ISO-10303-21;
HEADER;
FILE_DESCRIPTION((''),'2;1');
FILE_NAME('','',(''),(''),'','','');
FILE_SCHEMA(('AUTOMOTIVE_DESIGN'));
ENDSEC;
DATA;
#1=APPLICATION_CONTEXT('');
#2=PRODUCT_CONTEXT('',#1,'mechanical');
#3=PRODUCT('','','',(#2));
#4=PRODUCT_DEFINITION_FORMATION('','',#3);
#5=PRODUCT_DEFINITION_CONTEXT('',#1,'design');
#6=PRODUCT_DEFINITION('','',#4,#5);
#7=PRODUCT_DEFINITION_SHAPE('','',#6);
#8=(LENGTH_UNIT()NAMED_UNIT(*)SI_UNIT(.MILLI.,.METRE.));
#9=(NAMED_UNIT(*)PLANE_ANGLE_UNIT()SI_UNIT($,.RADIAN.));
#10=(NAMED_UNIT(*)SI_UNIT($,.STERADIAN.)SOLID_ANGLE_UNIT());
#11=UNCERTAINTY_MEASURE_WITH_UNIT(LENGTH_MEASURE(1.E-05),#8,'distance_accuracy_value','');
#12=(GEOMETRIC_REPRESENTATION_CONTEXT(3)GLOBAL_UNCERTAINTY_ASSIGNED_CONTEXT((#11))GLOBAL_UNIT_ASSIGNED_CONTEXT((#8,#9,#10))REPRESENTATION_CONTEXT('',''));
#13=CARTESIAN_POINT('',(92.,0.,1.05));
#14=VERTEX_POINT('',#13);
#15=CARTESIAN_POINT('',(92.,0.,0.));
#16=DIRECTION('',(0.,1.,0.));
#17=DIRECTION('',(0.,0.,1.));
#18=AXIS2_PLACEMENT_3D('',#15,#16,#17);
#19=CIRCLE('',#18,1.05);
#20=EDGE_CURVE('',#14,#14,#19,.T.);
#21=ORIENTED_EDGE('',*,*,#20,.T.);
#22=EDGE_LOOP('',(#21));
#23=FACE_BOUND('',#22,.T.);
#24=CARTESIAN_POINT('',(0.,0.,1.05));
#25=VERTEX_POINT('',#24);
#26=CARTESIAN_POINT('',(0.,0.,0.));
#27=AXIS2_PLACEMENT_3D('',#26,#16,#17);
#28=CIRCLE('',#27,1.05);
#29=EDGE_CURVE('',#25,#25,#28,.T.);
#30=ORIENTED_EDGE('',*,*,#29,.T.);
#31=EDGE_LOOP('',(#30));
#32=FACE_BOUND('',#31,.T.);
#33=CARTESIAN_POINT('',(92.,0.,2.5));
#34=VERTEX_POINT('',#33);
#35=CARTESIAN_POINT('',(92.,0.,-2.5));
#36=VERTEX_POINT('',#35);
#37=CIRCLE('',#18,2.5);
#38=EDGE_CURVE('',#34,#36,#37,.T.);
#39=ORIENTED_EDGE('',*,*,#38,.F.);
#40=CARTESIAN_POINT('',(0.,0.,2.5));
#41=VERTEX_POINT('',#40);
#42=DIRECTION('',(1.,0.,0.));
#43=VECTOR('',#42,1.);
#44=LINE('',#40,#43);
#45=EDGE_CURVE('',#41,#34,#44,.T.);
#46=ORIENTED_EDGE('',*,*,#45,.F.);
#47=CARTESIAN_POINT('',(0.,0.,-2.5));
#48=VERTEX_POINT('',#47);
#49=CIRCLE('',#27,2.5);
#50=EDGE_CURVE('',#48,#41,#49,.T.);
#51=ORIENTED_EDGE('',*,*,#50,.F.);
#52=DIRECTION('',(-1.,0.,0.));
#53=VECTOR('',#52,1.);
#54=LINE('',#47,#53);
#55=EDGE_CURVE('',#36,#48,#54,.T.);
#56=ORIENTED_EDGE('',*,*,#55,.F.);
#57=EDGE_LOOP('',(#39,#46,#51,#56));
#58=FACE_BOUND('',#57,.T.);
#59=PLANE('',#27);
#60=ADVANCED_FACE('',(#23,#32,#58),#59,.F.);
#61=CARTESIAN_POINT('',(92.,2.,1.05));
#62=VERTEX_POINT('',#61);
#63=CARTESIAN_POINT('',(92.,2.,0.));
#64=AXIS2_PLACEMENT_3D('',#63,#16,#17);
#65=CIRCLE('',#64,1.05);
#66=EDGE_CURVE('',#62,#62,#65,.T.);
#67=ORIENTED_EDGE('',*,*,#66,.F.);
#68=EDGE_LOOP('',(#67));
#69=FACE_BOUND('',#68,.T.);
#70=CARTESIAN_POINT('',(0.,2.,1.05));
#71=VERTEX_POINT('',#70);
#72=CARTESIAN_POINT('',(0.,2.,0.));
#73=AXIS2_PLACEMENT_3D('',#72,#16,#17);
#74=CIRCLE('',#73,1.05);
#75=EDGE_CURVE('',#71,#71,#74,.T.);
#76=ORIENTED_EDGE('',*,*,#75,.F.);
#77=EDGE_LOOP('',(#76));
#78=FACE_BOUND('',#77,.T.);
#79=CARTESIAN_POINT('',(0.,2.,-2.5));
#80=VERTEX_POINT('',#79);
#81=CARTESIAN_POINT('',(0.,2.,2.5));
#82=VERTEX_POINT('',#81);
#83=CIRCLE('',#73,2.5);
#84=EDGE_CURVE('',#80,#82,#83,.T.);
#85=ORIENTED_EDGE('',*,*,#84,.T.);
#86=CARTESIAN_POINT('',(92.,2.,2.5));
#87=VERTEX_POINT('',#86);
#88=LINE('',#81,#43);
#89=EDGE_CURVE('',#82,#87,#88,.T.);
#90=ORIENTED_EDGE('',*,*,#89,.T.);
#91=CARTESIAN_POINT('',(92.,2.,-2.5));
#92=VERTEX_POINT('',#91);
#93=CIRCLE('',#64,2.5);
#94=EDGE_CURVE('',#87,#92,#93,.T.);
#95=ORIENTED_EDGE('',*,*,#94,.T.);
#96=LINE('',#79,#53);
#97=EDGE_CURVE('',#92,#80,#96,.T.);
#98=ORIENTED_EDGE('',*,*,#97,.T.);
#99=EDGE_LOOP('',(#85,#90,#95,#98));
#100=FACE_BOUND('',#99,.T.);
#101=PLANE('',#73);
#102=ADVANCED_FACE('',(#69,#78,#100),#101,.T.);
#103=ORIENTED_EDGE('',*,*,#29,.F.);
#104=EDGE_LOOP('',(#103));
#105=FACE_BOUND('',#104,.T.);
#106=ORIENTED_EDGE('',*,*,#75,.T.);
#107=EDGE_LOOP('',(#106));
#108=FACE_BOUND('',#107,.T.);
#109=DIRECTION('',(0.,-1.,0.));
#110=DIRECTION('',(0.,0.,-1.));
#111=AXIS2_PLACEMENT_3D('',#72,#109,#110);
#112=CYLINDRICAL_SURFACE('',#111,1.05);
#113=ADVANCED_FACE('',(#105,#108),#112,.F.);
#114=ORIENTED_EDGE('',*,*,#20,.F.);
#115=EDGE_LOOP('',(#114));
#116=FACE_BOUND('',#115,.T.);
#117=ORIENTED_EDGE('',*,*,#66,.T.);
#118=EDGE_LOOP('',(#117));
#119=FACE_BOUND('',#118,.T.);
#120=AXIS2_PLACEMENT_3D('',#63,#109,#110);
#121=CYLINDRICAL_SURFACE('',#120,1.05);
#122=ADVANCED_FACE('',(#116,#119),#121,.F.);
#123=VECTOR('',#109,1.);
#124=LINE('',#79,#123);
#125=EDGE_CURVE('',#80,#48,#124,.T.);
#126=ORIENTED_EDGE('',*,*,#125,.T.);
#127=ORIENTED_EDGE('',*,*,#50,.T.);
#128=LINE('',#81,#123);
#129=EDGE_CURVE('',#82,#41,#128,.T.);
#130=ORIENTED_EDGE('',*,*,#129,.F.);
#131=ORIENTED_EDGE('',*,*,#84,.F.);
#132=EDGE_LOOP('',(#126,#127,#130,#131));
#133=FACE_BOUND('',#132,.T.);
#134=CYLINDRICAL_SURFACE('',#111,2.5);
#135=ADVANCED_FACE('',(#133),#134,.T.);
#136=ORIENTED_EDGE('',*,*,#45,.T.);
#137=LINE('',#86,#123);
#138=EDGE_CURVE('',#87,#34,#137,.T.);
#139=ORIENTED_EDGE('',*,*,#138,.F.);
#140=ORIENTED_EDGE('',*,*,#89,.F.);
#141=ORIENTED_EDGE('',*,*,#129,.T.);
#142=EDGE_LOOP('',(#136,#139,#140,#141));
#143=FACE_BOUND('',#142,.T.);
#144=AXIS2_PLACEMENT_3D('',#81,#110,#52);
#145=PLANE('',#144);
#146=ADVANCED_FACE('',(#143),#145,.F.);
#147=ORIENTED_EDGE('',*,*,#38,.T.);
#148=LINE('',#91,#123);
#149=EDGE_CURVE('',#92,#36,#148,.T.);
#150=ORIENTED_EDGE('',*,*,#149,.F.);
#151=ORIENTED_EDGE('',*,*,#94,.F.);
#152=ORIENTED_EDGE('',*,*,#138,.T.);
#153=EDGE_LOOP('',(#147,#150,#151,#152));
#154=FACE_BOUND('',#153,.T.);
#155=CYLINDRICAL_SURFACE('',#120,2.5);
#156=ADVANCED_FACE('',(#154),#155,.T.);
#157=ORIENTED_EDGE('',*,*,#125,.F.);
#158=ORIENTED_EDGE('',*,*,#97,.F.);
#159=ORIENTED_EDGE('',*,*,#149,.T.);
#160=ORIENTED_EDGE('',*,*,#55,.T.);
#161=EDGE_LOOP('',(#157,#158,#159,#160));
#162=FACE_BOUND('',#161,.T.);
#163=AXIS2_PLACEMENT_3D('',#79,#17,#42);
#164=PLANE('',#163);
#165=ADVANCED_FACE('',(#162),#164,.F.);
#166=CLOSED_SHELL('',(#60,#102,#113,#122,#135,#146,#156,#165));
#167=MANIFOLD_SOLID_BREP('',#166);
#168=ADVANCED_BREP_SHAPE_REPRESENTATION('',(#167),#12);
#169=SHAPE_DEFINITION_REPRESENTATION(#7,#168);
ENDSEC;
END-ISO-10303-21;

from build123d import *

# Parameters (mm, degrees)
SKETCH1_R           = 1.05
BOSS_EXTRUDE1_DEPTH = 2


with BuildPart() as part:
    # Sketch1 → Boss-Extrude1 (new body)
    with BuildSketch(Plane(origin=(0, 0, 0), x_dir=(1, 0, 0), z_dir=(0, 1, 0))):
        with BuildLine():
            Line((0, 2.5), (92, 2.5))
            ThreePointArc((92, 2.5), (94.5, 0), (92, -2.5))
            Line((92, -2.5), (0, -2.5))
            ThreePointArc((0, -2.5), (-2.5, 0), (0, 2.5))
        make_face()
        with Locations(Location((0, 0, 0), (0, 0, 270))):
            Circle(SKETCH1_R, mode=Mode.SUBTRACT)
        with Locations(Location((92, 0, 0), (0, 0, 270))):
            Circle(SKETCH1_R, mode=Mode.SUBTRACT)
    extrude(amount=BOSS_EXTRUDE1_DEPTH)


solid = part.part
